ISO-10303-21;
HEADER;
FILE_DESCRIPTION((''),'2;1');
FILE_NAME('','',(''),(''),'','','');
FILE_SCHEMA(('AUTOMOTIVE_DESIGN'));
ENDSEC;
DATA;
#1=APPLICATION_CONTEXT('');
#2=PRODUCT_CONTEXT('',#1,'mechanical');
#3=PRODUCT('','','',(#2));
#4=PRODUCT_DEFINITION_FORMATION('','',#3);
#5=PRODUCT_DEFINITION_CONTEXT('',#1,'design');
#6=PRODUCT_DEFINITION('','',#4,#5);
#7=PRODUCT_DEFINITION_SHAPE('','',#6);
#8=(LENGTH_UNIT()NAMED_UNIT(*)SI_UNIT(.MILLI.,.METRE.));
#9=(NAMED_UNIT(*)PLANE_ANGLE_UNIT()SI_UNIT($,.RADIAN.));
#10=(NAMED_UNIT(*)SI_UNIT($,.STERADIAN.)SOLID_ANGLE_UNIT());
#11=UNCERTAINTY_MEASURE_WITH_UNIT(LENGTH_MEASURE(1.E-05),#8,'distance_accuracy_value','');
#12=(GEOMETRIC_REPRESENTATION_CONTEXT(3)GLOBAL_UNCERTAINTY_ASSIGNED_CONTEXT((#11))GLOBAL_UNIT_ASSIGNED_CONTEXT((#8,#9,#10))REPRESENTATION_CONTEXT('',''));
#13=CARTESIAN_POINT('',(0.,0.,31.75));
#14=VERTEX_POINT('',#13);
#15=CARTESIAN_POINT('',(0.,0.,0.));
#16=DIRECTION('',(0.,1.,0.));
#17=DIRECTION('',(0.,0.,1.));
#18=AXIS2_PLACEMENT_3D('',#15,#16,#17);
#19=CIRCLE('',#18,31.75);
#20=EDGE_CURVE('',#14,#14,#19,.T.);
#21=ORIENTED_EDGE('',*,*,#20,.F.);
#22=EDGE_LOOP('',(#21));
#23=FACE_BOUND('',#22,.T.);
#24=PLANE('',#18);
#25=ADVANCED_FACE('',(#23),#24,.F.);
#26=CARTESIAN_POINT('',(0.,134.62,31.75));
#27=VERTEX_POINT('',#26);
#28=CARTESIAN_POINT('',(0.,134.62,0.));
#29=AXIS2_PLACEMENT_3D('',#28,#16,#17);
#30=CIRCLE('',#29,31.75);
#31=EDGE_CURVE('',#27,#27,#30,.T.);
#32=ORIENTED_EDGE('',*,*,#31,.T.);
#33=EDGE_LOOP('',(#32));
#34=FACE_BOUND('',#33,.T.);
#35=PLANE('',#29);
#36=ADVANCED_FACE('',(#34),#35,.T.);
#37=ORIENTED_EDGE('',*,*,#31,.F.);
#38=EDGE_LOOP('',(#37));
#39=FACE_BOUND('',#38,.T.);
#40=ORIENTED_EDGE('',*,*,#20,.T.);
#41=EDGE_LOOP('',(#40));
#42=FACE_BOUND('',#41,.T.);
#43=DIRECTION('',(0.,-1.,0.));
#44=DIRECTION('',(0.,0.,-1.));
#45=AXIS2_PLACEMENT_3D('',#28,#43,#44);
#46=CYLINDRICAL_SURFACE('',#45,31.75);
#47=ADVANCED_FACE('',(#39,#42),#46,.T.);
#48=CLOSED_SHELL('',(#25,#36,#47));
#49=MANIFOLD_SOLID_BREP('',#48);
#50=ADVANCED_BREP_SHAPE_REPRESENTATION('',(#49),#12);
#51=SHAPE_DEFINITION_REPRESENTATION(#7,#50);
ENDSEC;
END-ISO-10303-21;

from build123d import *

# Parameters (mm, degrees)
SKETCH2_R           = 31.75
BOSS_EXTRUDE1_DEPTH = 134.62


with BuildPart() as part:
    # Sketch2 → Boss-Extrude1 (new body)
    with BuildSketch(Plane(origin=(0, 0, 0), x_dir=(1, 0, 0), z_dir=(0, 1, 0))):
        Circle(SKETCH2_R)
    extrude(amount=BOSS_EXTRUDE1_DEPTH)


solid = part.part
